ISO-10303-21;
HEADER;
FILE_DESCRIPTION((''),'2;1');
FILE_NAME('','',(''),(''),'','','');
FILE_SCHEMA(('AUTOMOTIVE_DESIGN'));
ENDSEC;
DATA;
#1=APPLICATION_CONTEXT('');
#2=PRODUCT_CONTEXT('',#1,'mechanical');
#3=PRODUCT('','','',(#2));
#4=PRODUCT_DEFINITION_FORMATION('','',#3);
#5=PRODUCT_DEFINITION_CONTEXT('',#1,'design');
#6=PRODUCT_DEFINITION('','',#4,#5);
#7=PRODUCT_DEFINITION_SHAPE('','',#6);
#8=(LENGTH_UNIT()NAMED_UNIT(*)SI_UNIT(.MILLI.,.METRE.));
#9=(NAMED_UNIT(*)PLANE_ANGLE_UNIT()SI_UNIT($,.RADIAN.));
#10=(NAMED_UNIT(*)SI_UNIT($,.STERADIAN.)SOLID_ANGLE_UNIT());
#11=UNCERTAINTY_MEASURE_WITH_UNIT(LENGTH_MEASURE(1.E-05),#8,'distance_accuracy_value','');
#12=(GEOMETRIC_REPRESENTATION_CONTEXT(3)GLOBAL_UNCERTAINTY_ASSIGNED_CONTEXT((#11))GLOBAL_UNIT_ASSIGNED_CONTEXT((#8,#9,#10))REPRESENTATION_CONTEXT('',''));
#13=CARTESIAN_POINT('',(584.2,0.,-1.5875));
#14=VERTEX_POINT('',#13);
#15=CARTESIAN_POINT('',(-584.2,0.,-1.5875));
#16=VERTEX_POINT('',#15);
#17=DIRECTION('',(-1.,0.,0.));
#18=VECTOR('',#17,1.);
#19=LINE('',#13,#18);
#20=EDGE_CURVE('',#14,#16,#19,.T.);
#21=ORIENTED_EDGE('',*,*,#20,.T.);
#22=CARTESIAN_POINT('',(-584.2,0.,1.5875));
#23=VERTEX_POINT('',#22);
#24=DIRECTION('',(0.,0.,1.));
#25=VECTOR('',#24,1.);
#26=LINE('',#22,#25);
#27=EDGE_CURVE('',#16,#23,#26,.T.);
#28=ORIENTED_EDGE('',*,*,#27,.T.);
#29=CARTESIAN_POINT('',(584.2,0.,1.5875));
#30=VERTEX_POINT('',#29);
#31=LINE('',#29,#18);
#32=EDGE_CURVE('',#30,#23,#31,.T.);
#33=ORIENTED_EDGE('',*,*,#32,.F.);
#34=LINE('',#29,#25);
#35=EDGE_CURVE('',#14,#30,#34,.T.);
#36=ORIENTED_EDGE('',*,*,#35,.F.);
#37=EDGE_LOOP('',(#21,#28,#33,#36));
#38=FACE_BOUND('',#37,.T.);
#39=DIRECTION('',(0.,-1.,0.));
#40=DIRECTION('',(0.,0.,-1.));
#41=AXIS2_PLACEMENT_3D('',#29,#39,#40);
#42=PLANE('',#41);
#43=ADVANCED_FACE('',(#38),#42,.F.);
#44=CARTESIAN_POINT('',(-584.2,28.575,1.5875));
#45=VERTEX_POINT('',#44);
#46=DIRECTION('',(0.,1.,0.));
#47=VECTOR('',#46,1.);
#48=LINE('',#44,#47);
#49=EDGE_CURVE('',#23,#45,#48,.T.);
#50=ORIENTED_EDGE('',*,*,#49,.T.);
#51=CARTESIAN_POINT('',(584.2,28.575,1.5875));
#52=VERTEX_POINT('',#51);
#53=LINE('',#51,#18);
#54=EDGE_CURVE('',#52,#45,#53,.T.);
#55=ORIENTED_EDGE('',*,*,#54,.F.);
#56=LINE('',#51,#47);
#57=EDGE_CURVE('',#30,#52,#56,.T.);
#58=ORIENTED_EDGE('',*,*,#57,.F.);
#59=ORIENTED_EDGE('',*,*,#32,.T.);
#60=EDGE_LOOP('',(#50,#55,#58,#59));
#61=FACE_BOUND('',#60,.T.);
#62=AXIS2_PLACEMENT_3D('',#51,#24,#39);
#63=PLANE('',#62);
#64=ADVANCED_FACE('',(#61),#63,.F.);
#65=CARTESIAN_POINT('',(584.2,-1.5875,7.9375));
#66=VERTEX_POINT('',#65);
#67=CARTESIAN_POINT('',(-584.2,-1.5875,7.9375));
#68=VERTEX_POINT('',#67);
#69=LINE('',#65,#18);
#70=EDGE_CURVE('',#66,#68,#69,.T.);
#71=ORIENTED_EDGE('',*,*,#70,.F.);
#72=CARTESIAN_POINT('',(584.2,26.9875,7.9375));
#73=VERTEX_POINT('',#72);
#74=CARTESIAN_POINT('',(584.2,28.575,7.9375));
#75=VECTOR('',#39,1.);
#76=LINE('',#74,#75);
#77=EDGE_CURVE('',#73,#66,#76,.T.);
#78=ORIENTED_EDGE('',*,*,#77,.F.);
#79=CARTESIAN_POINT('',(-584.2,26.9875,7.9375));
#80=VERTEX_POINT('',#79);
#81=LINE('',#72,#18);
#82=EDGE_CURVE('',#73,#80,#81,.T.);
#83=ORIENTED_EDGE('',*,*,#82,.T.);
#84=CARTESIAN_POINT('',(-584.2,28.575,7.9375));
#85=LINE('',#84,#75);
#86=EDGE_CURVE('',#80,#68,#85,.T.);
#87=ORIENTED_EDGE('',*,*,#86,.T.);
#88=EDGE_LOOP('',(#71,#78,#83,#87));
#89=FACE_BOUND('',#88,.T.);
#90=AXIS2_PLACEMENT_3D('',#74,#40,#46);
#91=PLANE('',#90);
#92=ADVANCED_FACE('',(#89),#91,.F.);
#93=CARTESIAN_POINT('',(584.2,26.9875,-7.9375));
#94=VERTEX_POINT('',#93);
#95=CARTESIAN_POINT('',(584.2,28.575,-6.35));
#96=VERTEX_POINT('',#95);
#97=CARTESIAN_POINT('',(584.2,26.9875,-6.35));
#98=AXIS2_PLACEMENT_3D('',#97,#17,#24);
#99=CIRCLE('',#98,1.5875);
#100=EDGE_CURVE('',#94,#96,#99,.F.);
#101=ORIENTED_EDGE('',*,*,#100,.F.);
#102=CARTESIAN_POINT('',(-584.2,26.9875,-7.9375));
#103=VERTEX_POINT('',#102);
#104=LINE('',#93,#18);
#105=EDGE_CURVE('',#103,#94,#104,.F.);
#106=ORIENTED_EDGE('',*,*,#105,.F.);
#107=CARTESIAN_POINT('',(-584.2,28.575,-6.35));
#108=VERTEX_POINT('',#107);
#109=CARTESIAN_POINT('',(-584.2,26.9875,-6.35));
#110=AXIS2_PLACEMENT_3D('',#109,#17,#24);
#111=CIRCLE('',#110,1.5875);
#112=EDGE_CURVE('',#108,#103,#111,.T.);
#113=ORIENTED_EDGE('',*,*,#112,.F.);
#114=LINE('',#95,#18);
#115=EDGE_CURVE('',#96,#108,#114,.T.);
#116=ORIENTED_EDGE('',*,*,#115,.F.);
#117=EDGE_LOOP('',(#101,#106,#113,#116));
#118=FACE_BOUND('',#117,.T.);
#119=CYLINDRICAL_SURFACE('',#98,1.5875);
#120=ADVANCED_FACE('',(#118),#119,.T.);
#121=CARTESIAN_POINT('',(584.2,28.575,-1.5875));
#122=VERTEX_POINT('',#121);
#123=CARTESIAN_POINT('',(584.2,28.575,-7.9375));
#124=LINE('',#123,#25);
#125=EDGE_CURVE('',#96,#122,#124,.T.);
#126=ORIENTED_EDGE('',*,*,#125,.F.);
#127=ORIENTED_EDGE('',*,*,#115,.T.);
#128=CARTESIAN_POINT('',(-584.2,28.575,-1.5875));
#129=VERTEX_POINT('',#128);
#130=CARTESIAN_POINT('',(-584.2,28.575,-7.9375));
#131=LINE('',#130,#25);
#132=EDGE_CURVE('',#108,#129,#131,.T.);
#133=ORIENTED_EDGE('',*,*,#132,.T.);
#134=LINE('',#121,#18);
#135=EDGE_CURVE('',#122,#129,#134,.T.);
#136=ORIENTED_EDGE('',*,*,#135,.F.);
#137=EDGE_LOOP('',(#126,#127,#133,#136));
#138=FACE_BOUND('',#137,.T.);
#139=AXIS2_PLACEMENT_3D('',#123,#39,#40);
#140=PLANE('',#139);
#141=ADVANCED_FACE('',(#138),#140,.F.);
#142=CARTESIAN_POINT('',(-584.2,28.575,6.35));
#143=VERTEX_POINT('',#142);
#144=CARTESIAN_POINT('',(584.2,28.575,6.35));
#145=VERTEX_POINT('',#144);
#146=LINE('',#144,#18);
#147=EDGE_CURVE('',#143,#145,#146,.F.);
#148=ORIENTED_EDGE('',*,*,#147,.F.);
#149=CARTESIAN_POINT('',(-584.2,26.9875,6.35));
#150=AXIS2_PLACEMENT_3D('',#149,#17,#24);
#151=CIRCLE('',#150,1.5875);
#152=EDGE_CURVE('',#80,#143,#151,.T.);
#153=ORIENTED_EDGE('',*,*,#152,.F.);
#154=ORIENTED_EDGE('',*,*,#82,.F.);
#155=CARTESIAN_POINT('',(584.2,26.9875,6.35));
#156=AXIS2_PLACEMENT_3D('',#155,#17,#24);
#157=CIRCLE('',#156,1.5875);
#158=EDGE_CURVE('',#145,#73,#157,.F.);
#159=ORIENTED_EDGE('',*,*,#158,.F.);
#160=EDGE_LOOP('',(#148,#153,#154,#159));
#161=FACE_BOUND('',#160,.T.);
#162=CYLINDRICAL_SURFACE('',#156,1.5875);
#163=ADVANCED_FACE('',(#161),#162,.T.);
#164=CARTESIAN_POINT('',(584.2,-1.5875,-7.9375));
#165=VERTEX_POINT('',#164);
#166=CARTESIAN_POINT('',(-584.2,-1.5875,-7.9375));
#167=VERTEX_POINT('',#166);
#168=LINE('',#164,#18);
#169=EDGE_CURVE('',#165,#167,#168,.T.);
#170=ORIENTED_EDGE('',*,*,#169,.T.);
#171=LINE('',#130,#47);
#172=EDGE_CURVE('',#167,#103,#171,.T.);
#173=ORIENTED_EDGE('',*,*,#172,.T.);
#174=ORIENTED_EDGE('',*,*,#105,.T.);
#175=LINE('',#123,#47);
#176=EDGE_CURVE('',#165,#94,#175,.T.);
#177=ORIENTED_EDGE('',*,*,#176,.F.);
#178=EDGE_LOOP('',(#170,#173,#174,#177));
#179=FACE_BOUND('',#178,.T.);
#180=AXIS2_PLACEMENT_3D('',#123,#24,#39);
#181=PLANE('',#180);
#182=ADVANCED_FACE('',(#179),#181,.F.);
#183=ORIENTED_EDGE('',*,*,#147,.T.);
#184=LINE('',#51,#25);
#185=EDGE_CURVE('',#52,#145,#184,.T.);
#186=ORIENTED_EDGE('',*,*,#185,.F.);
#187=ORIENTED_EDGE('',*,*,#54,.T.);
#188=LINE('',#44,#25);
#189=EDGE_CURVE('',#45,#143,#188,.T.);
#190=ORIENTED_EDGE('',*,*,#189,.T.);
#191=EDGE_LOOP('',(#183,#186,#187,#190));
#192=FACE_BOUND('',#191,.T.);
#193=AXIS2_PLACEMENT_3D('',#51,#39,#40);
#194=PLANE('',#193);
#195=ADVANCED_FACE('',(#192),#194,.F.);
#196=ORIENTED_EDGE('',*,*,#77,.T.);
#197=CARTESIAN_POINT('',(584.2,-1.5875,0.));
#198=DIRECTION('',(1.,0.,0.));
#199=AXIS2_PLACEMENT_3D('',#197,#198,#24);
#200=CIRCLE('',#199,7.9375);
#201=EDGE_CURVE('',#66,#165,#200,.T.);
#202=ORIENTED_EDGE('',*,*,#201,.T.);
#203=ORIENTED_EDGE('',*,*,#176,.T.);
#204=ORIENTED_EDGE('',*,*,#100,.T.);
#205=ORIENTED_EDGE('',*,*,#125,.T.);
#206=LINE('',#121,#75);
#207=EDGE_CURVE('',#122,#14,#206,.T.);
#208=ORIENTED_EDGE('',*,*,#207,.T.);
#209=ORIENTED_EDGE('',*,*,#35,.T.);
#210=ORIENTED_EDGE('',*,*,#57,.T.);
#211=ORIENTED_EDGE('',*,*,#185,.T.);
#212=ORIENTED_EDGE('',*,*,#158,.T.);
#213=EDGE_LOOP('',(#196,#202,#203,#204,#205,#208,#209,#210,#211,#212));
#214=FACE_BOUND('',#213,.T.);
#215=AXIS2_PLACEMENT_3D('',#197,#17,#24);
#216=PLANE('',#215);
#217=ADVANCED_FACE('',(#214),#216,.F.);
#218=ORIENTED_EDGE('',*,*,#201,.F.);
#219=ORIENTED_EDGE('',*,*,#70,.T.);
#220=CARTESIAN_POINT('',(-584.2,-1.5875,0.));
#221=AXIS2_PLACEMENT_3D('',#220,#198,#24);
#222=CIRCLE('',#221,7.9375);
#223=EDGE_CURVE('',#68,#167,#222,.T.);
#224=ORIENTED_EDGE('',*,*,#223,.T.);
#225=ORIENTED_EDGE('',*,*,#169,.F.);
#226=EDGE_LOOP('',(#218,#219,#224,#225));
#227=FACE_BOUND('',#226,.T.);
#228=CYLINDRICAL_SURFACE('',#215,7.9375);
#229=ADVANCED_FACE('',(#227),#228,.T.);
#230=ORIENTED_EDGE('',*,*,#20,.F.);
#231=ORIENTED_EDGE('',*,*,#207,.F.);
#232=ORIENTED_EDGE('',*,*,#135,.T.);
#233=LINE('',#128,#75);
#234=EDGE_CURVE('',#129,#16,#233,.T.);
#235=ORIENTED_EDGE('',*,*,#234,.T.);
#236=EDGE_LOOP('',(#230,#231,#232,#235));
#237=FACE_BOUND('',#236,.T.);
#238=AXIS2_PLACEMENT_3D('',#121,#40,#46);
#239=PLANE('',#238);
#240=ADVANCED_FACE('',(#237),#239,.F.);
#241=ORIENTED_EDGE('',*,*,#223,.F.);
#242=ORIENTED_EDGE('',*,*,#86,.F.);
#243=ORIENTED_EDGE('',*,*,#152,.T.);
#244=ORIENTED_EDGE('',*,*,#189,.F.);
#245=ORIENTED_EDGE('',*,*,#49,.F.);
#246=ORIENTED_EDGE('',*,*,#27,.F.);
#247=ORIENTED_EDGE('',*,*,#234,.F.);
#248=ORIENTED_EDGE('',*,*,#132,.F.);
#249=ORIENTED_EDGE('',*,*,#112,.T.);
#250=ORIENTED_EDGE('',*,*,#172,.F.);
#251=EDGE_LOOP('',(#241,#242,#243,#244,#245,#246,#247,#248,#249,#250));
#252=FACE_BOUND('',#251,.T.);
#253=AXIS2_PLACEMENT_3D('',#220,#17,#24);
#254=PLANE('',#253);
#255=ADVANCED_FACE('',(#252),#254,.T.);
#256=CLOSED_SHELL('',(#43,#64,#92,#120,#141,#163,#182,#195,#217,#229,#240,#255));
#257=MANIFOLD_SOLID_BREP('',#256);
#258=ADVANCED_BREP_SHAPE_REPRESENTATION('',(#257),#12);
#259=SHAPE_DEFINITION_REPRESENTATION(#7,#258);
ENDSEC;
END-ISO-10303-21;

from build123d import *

# Parameters (mm, degrees)
BOSS_EXTRUDE1_DEPTH = 584.2
FILLET1_R           = 1.5875


with BuildPart() as part:
    # Sketch1 → Boss-Extrude1 (new body, symmetric)
    with BuildSketch(Plane(origin=(0, 0, 0), x_dir=(0, 0, -1), z_dir=(1, 0, 0))):
        with BuildLine():
            Line((-1.5875, 28.575), (-7.9375, 28.575))
            Line((-7.9375, 28.575), (-7.9375, -1.5875))
            ThreePointArc((-7.9375, -1.5875), (0, -9.525), (7.9375, -1.5875))
            Line((7.9375, -1.5875), (7.9375, 28.575))
            Line((7.9375, 28.575), (1.5875, 28.575))
            Line((1.5875, 28.575), (1.5875, 0))
            Line((1.5875, 0), (-1.5875, 0))
            Line((-1.5875, 0), (-1.5875, 28.575))
        make_face()
    extrude(amount=BOSS_EXTRUDE1_DEPTH, both=True)

    # Fillet1
    fillet1_edges = [part.edges().sort_by_distance(p)[0] for p in [
        (0, 28.575, -7.9375),
        (0, 28.575, 7.9375),
    ]]
    fillet(fillet1_edges, radius=FILLET1_R)


solid = part.part
